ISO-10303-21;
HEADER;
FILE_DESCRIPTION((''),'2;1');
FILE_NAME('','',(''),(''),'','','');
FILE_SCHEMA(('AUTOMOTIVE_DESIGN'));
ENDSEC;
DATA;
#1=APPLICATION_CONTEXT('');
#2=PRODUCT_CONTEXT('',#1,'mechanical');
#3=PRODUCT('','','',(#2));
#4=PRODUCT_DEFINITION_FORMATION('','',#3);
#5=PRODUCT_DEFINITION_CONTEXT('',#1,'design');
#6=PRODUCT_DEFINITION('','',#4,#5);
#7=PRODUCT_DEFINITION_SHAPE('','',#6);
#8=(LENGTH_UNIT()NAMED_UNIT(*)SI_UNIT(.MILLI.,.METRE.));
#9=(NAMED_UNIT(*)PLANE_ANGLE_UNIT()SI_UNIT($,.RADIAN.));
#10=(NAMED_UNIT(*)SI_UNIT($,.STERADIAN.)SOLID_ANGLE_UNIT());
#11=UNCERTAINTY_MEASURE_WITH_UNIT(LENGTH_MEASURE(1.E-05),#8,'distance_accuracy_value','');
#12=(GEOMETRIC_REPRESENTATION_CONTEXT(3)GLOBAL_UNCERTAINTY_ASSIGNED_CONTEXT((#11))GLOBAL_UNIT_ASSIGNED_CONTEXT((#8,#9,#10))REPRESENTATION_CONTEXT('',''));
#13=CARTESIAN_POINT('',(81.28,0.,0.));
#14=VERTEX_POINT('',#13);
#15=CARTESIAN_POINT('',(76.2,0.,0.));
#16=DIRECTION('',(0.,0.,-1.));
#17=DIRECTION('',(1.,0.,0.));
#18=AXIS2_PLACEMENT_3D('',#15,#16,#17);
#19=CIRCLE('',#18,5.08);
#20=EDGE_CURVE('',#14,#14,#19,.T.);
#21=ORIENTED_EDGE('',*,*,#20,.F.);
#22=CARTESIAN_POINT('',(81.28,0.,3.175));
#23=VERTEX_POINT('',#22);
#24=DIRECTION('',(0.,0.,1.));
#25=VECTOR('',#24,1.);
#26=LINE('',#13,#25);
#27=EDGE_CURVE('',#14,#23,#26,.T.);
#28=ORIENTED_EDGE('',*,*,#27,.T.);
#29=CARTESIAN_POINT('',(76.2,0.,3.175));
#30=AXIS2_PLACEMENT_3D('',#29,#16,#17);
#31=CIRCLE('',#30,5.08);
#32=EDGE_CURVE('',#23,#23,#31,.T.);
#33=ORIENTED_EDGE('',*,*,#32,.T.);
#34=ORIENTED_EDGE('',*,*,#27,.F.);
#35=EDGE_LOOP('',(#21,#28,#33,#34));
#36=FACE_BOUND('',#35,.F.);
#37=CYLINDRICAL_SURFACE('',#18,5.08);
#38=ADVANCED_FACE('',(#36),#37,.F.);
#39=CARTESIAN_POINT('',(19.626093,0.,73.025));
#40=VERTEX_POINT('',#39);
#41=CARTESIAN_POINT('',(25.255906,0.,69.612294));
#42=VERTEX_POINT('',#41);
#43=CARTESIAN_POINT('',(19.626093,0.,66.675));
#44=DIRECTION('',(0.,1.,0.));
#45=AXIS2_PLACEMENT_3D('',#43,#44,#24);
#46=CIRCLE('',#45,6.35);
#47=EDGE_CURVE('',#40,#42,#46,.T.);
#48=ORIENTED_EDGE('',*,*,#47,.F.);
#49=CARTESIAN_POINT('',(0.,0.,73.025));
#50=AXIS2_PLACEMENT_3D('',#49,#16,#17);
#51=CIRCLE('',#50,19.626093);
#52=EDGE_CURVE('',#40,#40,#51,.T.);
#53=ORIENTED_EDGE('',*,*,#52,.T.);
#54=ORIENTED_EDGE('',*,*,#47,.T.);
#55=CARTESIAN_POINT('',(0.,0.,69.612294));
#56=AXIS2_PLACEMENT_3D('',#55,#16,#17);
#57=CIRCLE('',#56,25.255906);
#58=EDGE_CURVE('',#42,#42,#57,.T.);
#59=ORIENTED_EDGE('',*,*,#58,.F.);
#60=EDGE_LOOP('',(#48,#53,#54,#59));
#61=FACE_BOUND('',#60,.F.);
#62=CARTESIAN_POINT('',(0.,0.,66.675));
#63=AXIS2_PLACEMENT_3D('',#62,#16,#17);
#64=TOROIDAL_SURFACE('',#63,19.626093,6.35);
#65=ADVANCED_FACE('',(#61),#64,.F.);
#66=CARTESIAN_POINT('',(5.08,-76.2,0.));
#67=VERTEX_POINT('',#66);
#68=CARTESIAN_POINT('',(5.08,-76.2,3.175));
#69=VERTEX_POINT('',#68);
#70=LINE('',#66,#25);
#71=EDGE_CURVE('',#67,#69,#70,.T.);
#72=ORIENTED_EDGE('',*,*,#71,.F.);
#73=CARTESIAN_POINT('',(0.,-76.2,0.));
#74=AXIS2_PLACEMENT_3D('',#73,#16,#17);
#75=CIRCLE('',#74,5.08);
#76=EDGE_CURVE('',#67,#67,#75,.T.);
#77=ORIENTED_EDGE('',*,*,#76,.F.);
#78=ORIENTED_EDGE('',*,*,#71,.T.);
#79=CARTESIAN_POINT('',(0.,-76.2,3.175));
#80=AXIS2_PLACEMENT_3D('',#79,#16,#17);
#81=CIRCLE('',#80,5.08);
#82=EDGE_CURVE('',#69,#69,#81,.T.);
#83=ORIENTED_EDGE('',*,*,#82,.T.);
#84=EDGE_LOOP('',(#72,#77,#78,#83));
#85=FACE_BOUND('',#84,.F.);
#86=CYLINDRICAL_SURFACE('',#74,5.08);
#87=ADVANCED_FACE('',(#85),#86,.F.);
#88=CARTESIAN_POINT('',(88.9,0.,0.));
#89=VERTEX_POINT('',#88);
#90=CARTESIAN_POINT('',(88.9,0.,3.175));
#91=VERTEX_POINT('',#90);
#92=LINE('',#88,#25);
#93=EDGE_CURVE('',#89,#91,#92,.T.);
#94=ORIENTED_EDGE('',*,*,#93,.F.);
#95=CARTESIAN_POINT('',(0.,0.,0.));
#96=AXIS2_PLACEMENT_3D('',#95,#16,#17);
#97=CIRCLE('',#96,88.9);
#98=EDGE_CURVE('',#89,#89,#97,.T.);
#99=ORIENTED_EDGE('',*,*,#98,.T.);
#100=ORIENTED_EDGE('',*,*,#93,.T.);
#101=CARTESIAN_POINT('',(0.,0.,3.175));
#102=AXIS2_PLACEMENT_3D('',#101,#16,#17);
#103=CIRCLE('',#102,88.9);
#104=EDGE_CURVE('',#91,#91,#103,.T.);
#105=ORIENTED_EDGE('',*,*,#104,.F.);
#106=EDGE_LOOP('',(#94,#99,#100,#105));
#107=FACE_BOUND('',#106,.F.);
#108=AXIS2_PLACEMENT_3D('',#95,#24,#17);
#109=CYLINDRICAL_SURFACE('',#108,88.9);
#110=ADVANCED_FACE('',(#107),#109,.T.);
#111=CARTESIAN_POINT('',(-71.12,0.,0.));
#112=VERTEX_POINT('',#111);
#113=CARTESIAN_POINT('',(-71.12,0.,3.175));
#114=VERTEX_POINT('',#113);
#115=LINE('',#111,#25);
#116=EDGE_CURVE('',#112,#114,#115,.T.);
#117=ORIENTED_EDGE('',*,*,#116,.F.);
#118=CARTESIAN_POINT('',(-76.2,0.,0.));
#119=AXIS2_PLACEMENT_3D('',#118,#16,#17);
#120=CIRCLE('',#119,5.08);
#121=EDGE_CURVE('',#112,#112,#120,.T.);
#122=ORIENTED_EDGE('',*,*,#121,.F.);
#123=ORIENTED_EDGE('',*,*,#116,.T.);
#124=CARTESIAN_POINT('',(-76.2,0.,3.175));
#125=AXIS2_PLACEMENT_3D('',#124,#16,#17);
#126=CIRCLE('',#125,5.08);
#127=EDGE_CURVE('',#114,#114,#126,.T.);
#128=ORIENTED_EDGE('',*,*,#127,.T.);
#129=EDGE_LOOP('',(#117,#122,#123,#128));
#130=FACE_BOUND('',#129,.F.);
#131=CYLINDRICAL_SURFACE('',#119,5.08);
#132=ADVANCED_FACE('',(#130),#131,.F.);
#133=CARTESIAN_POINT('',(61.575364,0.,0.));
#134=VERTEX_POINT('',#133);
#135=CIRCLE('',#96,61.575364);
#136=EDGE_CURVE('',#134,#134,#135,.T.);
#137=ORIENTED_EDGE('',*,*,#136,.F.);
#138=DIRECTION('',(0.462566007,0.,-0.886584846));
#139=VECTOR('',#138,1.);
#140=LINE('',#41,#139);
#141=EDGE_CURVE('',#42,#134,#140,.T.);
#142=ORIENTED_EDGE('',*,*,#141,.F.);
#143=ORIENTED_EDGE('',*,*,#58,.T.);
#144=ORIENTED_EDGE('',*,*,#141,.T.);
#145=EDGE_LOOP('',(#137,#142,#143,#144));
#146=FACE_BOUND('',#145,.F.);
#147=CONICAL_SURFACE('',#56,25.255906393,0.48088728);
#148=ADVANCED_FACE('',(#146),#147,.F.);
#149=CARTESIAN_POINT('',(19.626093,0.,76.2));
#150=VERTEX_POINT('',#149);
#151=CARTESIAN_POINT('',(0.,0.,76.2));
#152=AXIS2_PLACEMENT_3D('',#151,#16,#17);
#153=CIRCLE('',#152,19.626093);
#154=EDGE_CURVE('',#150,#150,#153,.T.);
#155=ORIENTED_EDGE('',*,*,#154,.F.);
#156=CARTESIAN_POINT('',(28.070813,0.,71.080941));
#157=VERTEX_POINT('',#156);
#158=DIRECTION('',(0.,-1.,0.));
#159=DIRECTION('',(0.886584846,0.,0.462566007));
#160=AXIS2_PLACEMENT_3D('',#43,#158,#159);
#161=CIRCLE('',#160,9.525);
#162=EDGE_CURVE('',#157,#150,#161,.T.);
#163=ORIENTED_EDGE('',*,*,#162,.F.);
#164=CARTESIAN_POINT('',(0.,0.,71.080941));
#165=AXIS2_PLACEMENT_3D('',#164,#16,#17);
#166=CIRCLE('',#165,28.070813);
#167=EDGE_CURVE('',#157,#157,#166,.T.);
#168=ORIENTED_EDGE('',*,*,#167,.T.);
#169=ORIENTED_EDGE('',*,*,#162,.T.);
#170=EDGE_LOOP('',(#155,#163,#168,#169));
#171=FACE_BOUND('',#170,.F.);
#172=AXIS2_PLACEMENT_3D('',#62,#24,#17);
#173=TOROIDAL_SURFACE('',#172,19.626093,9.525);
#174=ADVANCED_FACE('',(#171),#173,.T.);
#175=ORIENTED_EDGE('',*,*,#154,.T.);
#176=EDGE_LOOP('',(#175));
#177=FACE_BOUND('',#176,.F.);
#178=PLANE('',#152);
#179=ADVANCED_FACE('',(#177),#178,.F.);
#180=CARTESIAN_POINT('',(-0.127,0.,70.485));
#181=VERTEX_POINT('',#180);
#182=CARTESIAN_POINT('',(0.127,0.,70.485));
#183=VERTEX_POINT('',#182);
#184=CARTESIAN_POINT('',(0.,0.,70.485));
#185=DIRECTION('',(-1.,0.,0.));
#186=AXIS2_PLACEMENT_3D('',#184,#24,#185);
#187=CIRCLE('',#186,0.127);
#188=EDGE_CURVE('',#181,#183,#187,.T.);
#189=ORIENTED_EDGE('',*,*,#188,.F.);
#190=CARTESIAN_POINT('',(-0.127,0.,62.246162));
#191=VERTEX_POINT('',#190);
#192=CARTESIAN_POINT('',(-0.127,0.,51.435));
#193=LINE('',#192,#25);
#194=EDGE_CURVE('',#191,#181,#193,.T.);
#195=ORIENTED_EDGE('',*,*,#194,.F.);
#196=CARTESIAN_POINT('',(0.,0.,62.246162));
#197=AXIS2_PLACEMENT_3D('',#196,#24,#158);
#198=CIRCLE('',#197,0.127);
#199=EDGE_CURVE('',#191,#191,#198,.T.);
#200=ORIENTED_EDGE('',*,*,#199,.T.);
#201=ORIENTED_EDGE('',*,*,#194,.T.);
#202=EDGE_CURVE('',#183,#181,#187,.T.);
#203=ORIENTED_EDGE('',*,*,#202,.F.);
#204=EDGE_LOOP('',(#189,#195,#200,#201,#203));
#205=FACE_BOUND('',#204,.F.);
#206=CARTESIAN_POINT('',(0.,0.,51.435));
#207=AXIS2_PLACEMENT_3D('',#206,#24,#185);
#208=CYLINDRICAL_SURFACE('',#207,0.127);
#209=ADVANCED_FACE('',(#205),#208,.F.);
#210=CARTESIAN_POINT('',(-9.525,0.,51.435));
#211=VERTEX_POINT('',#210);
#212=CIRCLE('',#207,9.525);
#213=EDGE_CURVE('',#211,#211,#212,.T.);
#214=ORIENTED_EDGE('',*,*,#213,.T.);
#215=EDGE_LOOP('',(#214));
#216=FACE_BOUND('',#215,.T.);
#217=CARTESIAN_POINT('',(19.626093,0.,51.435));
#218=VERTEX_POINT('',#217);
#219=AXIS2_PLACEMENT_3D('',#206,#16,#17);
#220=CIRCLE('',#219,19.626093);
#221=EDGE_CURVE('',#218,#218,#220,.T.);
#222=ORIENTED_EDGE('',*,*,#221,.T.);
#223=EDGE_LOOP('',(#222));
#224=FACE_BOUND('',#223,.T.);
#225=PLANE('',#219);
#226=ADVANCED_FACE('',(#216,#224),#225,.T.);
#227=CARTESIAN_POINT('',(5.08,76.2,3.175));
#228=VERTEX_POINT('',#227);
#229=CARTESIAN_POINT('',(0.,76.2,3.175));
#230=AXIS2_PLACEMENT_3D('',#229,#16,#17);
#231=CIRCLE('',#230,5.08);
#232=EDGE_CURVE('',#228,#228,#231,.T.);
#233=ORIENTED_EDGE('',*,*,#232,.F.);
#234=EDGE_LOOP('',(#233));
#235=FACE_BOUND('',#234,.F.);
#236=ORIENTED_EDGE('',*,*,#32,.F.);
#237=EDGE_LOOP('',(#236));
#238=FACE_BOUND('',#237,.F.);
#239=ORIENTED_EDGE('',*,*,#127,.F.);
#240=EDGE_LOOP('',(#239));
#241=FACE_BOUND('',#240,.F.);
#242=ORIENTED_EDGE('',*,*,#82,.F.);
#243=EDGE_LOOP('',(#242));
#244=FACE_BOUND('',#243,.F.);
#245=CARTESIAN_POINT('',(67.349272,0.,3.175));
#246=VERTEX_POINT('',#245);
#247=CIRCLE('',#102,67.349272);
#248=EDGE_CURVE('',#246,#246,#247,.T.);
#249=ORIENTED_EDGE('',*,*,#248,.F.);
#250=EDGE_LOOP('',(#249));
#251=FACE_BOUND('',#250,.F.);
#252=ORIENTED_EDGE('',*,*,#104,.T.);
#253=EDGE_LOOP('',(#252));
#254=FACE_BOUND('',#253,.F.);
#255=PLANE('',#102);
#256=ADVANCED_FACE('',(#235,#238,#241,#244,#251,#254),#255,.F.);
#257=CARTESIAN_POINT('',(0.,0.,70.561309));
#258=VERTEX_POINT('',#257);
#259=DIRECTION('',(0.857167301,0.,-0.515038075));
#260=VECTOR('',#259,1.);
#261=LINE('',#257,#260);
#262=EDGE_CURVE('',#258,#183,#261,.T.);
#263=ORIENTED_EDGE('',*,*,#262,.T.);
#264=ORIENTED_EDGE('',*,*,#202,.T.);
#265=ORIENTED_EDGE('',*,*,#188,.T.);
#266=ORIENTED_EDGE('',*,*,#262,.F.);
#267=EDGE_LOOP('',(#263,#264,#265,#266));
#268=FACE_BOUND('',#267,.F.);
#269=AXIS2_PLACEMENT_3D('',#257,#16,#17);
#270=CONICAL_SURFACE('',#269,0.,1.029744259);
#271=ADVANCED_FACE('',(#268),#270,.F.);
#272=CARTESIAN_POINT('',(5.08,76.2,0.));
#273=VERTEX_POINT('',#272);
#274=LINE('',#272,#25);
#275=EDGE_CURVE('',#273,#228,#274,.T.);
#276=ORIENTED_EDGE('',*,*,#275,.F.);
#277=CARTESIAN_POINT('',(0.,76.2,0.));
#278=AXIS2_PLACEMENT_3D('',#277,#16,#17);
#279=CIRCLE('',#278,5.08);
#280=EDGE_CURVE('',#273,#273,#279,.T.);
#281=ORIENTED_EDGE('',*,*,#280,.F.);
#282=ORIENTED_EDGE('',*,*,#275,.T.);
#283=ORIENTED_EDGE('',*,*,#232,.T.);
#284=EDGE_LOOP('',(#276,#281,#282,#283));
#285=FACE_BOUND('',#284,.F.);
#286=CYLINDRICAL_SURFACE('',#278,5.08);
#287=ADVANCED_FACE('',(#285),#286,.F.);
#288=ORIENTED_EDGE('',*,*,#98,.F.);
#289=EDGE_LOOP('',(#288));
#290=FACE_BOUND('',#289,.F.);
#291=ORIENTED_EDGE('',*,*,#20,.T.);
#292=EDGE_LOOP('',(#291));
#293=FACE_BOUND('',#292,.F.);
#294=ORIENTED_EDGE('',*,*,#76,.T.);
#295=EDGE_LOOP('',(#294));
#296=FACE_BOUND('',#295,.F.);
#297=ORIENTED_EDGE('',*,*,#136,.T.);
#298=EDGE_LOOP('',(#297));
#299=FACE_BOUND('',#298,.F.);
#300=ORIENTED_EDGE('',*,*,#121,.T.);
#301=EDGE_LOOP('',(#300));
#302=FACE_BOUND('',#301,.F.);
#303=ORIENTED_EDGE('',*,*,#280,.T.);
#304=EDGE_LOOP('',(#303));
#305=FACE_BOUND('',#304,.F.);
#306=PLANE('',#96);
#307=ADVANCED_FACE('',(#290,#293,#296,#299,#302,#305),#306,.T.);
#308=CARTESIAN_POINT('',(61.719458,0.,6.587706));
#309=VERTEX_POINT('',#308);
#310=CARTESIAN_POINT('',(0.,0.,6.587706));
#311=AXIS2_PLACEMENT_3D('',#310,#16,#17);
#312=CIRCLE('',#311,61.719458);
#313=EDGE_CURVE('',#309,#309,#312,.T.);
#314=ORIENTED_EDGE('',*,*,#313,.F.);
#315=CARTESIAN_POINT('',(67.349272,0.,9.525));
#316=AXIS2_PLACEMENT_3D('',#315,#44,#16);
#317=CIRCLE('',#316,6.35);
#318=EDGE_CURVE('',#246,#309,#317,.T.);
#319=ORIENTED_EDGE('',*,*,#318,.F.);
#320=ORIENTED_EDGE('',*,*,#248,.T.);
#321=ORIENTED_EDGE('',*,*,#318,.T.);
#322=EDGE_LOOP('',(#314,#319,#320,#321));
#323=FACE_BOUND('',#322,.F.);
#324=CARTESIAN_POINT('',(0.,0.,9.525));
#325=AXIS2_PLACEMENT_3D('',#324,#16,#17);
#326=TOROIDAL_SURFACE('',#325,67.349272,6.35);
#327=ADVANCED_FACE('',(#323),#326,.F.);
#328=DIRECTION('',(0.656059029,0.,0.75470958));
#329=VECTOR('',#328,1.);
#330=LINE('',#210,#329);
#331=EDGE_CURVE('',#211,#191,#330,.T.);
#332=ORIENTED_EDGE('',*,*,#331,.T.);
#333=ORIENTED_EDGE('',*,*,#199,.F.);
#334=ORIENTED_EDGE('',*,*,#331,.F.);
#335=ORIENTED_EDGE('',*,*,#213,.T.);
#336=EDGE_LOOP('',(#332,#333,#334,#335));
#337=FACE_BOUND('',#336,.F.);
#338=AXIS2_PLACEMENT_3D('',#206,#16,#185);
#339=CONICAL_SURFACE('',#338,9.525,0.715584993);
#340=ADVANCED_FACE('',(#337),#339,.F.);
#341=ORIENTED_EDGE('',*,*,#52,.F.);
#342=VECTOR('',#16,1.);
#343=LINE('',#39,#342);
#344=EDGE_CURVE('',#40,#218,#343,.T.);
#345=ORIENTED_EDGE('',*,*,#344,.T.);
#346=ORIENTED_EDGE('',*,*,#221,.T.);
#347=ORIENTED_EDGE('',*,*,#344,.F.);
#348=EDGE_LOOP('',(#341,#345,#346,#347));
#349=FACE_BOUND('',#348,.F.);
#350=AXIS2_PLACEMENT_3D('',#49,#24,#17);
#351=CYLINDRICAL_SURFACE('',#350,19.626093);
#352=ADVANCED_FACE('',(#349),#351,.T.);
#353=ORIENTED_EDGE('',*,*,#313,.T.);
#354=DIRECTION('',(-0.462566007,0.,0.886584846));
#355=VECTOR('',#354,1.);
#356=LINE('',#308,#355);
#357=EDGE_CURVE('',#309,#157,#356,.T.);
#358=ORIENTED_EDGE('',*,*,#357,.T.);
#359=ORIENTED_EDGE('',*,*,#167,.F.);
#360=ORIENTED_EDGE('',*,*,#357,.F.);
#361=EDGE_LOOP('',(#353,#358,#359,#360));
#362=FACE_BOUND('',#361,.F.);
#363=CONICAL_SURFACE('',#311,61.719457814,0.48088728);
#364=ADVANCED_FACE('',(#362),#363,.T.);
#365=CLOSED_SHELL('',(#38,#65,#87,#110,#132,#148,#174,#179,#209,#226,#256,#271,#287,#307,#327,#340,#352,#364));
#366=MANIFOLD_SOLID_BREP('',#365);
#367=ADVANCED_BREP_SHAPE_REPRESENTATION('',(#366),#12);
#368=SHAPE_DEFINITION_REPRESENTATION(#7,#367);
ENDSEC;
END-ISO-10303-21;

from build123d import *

# Parameters (mm, degrees)
F2_R           = 5.08
F3_DEPTH       = 25.4
F4_R           = 19.62609262
F5_DEPTH       = 21.59
F7_D           = 0.254
F7_DEPTH       = 19.05
F7_CSINK_D     = 19.05
F7_CSINK_ANGLE = 82
F7_TIP         = 0.0763092986


with BuildPart() as f1:
    # F0 (on Front) → F1 (revolve)
    with BuildSketch(Plane.XZ):
        with BuildLine():
            Line((25.2559063932, 69.6122941425), (61.5753642067, 0))
            Line((61.5753642067, 0), (88.9, 0))
            Line((88.9, 0), (88.9, 3.175))
            Line((88.9, 3.175), (67.3492715866, 3.175))
            ThreePointArc((67.3492715866, 3.175), (64.0575636565, 4.0947920019), (61.7194578135, 6.5877058575))
            Line((61.7194578135, 6.5877058575), (28.0708132798, 71.0809412138))
            ThreePointArc((28.0708132798, 71.0809412138), (24.5636545153, 74.8203119971), (19.62609262, 76.2))
            Line((19.62609262, 76.2), (0, 76.2))
            Line((0, 76.2), (0, 73.025))
            Line((0, 73.025), (19.62609262, 73.025))
            ThreePointArc((19.62609262, 73.025), (22.9178005502, 72.1052079981), (25.2559063932, 69.6122941425))
        make_face()
    revolve(axis=Axis((0, 0, 35.2039765567), (0, 0, -1)))

    # F2 (on face) → F3 (cut)
    with BuildSketch(Plane(origin=(0, 0, 0), x_dir=(1, 0, 0), z_dir=(0, 0, -1))):
        with Locations((0, 76.2)):
            Circle(F2_R)
        with Locations((-76.2, 0)):
            Circle(F2_R)
        with Locations((0, -76.2)):
            Circle(F2_R)
        with Locations((76.2, 0)):
            Circle(F2_R)
    extrude(amount=-F3_DEPTH, mode=Mode.SUBTRACT)

    # F4 (on face) → F5 (join)
    with BuildSketch(Plane(origin=(0, 0, 73.025), x_dir=(1, 0, 0), z_dir=(0, 0, -1))):
        Circle(F4_R)
    extrude(amount=F5_DEPTH)

    # F7
    with Locations(Plane(origin=(0, 0, 51.435), x_dir=(1, 0, 0), z_dir=(0, 0, -1))):
        with Locations((0, 0)):
            CounterSinkHole(F7_D / 2, F7_CSINK_D / 2, depth=F7_DEPTH, counter_sink_angle=F7_CSINK_ANGLE)
            with Locations((0, 0, -(F7_DEPTH + F7_TIP / 2))):  # 118° drill point
                Cone(0, F7_D / 2, F7_TIP, mode=Mode.SUBTRACT)


solid = f1.part
